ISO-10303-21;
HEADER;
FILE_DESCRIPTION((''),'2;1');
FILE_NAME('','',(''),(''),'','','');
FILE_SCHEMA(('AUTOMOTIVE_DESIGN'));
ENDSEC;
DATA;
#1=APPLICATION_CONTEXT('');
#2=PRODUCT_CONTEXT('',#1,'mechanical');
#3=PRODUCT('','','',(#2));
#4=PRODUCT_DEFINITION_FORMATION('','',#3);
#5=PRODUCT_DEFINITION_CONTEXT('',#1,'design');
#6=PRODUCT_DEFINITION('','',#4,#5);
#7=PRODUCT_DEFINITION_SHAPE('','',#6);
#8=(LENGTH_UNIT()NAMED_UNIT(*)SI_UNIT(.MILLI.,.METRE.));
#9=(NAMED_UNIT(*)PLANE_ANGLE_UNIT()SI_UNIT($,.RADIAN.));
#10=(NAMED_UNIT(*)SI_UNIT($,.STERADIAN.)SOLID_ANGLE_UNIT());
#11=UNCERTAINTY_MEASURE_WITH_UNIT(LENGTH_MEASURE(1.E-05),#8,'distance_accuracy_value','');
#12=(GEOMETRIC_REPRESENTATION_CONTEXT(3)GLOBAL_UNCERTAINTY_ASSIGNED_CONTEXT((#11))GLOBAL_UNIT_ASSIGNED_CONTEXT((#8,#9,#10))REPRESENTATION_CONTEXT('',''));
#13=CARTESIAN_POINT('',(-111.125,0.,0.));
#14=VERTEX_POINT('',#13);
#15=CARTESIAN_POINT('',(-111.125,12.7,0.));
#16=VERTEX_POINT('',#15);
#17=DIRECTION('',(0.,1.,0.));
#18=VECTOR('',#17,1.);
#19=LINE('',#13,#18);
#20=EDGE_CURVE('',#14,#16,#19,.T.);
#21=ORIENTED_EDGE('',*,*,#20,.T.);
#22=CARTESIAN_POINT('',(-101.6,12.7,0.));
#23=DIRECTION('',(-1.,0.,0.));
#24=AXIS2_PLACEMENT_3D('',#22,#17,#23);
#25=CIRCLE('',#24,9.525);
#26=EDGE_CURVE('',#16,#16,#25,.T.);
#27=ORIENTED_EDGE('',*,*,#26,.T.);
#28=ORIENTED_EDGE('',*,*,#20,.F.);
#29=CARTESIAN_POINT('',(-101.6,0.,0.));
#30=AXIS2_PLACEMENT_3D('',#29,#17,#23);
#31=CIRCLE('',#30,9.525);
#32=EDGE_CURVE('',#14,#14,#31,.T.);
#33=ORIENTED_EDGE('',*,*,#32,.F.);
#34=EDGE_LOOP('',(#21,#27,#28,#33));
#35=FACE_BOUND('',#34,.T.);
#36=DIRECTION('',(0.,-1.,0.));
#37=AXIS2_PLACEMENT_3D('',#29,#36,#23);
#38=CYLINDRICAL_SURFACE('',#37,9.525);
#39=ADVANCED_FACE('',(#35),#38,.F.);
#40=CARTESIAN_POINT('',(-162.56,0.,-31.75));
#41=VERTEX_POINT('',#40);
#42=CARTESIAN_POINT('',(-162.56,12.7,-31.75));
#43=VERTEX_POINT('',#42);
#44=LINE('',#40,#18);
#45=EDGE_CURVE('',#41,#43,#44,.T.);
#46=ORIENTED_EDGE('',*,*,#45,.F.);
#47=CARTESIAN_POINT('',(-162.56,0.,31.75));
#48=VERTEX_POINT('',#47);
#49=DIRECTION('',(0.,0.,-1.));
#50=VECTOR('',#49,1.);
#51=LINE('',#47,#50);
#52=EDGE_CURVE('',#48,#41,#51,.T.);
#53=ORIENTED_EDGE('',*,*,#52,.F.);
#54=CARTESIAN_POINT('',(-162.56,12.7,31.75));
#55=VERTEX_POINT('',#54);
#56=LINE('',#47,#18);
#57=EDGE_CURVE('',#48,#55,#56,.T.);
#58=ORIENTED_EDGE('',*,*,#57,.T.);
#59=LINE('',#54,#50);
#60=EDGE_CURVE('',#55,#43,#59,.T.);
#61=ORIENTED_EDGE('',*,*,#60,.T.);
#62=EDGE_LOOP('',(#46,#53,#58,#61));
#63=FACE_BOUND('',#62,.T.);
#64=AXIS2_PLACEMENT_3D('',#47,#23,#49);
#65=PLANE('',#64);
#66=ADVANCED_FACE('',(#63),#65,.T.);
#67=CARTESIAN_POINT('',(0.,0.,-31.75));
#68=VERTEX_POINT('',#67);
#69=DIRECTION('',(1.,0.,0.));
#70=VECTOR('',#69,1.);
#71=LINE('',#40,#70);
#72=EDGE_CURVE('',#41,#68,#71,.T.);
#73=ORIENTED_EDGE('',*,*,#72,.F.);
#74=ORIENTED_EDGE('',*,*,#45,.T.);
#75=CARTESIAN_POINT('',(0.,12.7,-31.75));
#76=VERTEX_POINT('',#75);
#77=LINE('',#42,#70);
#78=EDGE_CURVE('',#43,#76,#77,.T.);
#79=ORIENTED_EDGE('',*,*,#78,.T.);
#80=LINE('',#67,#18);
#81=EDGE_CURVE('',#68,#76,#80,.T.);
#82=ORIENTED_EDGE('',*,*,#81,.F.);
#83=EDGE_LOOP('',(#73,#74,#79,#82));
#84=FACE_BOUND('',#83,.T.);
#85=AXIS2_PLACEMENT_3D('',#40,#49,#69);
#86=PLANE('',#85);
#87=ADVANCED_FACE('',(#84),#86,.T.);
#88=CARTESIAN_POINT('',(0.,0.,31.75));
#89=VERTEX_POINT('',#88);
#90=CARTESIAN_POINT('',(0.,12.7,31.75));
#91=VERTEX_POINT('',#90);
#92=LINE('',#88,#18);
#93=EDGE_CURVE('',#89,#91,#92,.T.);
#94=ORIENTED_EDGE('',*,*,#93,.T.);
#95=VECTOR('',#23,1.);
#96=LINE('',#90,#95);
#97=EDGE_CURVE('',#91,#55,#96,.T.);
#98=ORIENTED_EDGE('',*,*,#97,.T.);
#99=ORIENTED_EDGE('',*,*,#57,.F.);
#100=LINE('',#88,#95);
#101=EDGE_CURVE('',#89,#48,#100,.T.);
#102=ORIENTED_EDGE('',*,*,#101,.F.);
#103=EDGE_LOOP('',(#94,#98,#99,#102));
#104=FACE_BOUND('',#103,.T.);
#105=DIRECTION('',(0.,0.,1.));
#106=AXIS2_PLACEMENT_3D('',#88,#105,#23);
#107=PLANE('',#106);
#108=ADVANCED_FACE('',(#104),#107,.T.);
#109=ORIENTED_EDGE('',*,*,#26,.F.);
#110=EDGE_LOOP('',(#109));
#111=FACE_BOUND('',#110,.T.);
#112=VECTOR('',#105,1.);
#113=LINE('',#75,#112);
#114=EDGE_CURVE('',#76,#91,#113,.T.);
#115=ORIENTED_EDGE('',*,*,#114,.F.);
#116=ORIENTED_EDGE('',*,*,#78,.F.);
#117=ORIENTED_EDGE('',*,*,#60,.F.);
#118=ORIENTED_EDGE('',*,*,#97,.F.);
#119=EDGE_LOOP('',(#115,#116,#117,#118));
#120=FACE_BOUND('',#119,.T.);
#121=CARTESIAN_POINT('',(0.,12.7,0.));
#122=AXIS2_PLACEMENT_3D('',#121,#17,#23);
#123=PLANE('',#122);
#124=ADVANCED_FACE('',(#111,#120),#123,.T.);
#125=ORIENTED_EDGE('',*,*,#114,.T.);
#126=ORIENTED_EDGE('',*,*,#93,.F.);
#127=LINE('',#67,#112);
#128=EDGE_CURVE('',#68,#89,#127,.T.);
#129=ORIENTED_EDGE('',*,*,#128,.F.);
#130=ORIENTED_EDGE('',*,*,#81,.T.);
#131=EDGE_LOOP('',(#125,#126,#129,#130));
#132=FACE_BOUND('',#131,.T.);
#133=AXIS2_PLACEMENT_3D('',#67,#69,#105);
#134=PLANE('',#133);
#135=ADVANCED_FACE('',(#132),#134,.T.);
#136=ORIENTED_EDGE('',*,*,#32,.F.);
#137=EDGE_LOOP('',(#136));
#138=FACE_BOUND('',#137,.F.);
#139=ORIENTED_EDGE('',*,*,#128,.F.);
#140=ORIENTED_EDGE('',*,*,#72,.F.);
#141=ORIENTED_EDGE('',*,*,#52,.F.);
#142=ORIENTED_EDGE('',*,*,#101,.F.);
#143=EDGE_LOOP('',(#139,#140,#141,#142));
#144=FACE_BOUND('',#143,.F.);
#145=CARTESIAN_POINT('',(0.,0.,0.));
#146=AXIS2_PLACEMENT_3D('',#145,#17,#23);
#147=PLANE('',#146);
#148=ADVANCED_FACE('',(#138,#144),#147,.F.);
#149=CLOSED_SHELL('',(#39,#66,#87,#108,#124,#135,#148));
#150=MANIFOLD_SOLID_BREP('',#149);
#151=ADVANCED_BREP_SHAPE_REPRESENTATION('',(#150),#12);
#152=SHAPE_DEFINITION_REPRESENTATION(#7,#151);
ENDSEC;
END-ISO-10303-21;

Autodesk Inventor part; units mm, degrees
ref_plane "YZ Plane" through (0, 0, 0) normal (1, 0, 0) x (0, 1, 0)
ref_plane "XZ Plane" through (0, 0, 0) normal (0, 1, 0) x (-1, 0, 0)
ref_plane "XY Plane" through (0, 0, 0) normal (0, 0, 1) x (1, 0, 0)
sketch "Sketch1" plane through (0, 0, 0) normal (0, 1, 0) x (-1, 0, 0)
  line L0 (0, 31.75) -> (162.56, 31.75)
  line L1 (162.56, 31.75) -> (162.56, -31.75)
  line L2 (162.56, -31.75) -> (0, -31.75)
  line L3 (0, -31.75) -> (0, 31.75)
  circle A0 centre (101.6, 0) radius 9.525
  point P0 (0, 0)
  point P1 (0, 0)
  dimension "d0" = 162.56
  dimension "d1" = 63.5
  dimension "d5" = 19.05
  dimension "d6" = 60.96
  dimension "d7" = 31.75
extrude "Extrusion1" add sketch "Sketch1" along normal blind 12.7
properties part number "Part3 x 2"
